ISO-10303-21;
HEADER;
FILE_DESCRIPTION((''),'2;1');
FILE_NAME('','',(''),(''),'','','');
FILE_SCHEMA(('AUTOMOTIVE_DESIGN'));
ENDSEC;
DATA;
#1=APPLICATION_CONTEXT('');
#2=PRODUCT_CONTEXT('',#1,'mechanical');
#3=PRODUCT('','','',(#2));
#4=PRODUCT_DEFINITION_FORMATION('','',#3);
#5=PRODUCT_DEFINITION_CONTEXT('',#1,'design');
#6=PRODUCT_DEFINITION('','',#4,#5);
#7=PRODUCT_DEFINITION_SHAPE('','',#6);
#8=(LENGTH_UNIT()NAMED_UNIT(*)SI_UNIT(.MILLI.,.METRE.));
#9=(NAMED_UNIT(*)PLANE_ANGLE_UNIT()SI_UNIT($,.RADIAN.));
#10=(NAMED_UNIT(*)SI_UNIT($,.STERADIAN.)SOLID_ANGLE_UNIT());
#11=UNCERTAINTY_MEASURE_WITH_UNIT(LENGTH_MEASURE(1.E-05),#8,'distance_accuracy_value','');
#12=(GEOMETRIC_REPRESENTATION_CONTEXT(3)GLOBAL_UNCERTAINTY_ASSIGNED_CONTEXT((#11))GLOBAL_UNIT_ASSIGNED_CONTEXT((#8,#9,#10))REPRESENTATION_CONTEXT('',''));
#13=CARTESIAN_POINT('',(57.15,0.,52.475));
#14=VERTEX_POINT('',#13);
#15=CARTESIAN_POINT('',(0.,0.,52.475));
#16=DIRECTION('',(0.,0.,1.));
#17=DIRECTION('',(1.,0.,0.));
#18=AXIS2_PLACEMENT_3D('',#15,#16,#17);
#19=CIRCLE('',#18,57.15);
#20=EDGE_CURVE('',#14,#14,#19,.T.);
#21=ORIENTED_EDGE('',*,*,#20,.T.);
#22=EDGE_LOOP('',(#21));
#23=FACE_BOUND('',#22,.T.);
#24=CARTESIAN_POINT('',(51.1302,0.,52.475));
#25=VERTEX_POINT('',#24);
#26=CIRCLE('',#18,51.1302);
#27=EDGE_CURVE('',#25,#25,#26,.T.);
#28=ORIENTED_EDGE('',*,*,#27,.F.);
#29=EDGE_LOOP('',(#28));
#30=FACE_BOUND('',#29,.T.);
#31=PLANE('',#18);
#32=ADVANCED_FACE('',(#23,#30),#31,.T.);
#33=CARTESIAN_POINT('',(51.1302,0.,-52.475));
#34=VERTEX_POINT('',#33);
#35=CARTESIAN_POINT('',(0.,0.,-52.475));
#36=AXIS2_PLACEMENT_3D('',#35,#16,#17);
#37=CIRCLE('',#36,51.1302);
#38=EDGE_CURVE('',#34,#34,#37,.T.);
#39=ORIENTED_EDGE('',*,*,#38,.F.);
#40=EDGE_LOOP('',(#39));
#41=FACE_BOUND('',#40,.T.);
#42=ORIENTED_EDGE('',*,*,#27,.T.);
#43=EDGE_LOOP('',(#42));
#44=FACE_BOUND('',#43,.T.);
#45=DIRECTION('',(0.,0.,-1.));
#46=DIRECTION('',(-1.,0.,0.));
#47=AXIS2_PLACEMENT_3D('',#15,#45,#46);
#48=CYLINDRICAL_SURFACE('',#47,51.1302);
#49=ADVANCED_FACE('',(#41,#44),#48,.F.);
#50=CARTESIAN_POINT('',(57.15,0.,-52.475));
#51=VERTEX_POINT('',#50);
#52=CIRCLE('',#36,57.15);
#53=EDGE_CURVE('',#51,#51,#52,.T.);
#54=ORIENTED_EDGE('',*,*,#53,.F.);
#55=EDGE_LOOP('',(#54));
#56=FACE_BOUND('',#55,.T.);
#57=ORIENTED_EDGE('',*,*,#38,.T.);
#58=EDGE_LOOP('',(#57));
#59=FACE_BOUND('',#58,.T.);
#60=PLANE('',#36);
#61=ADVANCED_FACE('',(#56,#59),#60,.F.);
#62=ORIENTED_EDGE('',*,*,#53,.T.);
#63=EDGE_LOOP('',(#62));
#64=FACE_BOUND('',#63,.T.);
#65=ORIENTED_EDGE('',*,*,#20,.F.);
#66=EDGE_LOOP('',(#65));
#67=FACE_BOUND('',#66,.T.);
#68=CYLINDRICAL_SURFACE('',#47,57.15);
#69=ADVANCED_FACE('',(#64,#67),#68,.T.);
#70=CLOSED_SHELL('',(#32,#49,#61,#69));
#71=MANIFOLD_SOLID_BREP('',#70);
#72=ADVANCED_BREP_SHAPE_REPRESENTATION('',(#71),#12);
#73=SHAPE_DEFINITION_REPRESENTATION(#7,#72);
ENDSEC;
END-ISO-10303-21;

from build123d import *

# Parameters (mm, degrees)
SKETCH1_R           = 57.15
SKETCH1_R_2         = 51.1302
EXTRUDE_THIN1_DEPTH = 52.475


with BuildPart() as part:
    # Sketch1 → Extrude-Thin1 (new body, symmetric)
    with BuildSketch(Plane.XY):
        Circle(SKETCH1_R)
        Circle(SKETCH1_R_2, mode=Mode.SUBTRACT)
    extrude(amount=EXTRUDE_THIN1_DEPTH, both=True)


solid = part.part
